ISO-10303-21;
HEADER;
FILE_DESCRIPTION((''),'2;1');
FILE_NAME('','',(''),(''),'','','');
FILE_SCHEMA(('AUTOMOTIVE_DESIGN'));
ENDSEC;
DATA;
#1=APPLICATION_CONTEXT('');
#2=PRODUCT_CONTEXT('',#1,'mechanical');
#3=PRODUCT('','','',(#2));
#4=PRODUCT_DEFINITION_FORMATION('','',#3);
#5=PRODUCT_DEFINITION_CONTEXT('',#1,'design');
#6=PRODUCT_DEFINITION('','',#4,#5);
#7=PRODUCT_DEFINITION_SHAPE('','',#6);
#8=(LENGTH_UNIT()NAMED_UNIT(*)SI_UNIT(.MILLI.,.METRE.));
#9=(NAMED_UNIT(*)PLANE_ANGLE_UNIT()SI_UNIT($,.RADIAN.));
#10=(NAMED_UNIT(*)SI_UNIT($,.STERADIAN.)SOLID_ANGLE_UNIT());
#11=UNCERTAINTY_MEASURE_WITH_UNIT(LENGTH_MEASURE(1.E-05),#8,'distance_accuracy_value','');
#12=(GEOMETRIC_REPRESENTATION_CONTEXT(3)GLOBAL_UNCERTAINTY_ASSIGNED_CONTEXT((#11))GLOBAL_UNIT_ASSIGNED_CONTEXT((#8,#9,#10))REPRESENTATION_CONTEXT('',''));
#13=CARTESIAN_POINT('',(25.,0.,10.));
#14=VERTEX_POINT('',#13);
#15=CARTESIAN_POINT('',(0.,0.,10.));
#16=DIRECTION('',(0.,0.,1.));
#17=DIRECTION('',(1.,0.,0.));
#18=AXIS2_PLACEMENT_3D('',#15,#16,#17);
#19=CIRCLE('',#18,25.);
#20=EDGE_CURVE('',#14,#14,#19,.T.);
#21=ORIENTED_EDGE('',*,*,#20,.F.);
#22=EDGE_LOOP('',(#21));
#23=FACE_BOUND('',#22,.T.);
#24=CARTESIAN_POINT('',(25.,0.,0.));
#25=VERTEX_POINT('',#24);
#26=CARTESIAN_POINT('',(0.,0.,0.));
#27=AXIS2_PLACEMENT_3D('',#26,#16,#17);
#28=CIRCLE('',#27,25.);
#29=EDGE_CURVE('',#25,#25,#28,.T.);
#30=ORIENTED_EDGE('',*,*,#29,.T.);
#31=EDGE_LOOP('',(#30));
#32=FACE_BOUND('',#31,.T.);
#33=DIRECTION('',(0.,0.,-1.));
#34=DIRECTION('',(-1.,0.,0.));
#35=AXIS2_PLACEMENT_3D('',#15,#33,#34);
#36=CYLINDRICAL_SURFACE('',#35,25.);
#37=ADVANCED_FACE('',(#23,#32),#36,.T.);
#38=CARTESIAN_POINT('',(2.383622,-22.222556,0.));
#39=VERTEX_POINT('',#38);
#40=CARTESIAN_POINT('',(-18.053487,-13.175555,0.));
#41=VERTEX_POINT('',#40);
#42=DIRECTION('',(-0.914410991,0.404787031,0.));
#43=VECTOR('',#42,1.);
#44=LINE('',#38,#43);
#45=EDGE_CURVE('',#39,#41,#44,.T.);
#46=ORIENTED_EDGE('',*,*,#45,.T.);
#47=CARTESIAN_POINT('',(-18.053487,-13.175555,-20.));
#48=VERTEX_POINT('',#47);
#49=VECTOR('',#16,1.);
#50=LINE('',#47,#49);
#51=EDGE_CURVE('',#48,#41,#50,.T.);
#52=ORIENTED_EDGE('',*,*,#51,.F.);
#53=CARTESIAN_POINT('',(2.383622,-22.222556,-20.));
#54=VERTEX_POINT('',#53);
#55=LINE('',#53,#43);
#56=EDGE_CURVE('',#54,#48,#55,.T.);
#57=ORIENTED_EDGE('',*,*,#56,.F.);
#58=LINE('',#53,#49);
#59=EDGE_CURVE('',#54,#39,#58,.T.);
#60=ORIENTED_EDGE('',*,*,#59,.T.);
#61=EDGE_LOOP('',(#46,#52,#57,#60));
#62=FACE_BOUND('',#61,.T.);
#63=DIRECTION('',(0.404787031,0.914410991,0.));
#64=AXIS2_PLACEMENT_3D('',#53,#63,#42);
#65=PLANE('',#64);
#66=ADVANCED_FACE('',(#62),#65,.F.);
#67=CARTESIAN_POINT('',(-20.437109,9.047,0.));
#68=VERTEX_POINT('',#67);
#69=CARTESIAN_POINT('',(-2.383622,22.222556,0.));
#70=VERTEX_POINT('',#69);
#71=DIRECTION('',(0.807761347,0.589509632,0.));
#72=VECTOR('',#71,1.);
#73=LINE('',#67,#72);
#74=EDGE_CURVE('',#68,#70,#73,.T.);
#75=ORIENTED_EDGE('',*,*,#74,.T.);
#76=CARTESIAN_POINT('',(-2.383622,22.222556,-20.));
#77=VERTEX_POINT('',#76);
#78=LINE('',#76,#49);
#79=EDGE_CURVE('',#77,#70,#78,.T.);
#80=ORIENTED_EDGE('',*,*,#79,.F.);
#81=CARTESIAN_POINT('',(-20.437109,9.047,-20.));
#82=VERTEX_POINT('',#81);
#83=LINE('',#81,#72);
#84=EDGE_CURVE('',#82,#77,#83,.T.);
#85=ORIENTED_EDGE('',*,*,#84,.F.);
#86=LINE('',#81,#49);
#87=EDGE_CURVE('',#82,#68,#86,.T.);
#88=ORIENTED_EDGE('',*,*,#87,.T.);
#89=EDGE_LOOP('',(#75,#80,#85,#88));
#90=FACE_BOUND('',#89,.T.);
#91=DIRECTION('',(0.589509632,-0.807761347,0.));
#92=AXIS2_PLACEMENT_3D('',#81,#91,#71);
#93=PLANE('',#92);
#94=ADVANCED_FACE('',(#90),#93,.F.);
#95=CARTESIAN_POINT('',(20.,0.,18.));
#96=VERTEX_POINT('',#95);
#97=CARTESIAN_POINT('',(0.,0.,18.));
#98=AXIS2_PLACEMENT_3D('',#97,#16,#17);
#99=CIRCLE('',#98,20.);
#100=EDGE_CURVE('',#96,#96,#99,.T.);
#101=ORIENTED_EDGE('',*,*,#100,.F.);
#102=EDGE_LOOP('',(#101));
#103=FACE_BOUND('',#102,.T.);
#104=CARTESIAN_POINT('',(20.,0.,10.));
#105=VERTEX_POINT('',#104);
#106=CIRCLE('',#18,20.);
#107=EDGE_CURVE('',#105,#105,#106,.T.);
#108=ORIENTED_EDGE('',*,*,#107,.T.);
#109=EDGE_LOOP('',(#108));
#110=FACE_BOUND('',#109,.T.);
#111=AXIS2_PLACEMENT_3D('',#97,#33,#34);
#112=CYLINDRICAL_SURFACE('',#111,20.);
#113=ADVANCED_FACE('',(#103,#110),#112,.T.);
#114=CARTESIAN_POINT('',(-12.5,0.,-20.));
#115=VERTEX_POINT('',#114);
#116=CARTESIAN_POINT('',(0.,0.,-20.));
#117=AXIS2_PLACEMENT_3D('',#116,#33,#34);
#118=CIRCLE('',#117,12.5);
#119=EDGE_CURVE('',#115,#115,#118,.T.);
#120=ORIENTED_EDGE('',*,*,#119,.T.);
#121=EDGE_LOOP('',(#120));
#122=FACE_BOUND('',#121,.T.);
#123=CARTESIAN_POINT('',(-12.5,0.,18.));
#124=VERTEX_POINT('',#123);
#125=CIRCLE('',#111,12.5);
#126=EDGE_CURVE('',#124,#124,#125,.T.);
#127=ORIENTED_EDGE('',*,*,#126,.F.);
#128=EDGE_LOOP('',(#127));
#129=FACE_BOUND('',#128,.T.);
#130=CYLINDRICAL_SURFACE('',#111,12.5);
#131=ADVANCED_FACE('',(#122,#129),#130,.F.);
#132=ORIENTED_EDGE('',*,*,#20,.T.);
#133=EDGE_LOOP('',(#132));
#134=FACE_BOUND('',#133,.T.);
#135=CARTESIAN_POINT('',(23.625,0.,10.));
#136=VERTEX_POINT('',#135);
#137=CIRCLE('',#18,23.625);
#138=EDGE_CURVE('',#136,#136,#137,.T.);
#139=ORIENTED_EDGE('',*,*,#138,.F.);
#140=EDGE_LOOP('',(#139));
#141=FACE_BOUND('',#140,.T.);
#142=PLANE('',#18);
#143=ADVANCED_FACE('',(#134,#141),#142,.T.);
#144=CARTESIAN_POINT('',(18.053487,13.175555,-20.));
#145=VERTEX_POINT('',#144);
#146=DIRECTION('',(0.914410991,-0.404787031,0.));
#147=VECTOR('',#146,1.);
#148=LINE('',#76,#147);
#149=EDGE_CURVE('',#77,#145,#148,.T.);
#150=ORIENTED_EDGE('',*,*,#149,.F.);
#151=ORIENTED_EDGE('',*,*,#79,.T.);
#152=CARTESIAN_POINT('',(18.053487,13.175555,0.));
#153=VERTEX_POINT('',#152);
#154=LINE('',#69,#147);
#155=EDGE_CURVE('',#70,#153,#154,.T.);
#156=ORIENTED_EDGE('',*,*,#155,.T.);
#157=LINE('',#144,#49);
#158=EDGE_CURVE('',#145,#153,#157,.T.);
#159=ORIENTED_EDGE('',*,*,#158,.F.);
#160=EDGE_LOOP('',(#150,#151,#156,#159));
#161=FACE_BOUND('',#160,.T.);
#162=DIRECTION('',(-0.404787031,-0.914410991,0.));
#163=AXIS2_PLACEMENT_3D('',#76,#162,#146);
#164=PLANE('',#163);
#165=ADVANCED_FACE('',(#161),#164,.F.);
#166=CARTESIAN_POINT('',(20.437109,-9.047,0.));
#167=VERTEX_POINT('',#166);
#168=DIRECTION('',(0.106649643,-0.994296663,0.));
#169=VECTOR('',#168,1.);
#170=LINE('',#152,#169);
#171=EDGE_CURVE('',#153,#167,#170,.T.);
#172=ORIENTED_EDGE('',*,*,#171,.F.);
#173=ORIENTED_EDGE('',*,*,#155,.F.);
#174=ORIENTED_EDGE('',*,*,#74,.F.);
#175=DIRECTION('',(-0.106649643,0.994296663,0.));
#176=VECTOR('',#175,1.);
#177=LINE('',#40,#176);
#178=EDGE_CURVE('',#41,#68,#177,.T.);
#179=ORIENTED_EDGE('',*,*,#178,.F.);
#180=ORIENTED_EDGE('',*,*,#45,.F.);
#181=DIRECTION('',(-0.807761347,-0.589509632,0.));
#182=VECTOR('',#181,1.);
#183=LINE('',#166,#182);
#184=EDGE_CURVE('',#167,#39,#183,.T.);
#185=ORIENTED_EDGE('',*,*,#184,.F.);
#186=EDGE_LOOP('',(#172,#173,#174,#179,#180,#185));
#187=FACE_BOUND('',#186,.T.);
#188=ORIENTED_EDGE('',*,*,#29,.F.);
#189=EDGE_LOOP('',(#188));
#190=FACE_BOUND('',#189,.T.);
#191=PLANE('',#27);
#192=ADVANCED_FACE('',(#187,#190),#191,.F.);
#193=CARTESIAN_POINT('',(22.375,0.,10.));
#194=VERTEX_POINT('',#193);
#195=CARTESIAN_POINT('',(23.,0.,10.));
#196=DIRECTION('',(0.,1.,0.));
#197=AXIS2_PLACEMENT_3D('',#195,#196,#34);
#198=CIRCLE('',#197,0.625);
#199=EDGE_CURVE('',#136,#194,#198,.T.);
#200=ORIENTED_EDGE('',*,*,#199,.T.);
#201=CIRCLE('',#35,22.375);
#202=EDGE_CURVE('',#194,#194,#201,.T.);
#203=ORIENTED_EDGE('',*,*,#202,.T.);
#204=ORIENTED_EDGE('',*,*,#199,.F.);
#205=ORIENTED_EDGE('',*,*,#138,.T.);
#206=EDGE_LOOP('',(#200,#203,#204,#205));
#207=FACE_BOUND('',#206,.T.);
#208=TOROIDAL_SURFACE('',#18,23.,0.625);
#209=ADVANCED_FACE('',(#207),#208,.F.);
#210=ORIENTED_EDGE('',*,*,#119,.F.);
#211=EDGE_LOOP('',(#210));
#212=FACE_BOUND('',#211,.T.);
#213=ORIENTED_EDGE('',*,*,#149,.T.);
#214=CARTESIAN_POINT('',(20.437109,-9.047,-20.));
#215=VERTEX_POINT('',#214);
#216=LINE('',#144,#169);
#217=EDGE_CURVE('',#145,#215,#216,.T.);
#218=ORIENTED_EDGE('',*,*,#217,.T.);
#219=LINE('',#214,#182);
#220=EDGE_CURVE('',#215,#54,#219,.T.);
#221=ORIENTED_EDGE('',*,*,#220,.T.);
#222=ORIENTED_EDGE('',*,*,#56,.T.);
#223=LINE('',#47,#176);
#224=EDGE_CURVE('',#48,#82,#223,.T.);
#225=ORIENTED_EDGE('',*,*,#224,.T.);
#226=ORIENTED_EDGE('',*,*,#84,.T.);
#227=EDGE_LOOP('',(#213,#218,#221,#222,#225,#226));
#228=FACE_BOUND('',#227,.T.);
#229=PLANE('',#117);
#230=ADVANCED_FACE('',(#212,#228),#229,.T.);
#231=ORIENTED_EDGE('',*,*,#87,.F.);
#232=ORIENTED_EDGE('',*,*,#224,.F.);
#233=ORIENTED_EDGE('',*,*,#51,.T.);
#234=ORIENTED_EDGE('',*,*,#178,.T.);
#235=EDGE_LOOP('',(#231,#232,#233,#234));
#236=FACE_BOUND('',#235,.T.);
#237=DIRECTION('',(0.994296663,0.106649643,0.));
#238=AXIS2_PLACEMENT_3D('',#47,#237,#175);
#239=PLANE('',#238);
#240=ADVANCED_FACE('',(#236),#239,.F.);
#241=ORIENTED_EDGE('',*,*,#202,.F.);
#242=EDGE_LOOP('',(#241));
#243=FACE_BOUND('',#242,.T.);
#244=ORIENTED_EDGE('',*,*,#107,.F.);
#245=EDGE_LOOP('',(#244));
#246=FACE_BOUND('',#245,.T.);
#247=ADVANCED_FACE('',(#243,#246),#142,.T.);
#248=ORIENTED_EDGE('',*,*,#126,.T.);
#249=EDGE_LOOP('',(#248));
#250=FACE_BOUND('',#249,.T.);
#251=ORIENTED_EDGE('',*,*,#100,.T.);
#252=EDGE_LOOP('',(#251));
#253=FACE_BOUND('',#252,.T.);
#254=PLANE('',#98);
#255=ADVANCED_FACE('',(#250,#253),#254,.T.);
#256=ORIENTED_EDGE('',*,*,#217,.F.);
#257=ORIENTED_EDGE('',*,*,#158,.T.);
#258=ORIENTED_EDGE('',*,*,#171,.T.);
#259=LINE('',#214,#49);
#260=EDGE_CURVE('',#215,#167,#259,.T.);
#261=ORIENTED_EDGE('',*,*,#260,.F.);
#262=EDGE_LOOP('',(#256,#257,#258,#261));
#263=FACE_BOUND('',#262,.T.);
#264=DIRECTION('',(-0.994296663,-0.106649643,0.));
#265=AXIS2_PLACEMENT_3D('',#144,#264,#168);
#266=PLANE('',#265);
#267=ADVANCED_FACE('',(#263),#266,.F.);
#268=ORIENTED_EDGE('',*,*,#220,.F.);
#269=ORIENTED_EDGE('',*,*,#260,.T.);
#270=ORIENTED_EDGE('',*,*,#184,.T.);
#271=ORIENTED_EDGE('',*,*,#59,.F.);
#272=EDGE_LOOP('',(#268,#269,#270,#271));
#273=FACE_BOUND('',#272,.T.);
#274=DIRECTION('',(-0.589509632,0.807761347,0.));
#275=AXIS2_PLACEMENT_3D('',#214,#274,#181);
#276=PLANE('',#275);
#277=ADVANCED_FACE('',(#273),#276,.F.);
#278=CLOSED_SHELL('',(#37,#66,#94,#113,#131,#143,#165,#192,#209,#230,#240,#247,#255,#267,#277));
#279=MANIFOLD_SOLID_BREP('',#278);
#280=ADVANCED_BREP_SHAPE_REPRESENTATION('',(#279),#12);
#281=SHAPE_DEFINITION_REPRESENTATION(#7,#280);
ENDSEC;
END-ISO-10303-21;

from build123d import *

# Parameters (mm, degrees)
SKETCH2_R            = 25
BOSS_EXTRUDE1_DEPTH  = 10
SKETCH3_R            = 20
BOSS_EXTRUDE2_DEPTH  = 8
BOSS_EXTRUDE3_DEPTH  = 20
SKETCH5_R            = 12.5
CUT_EXTRUDE1_DEPTH   = 52.903757089
CUT_SWEEP1_PROFILE_R = 0.625


with BuildPart() as part:
    # Sketch2 → Boss-Extrude1 (new body)
    with BuildSketch(Plane.XY):
        Circle(SKETCH2_R)
    extrude(amount=BOSS_EXTRUDE1_DEPTH)

    # Sketch3 → Boss-Extrude2 (add)
    with BuildSketch(Plane.XY.offset(10)):
        Circle(SKETCH3_R)
    extrude(amount=BOSS_EXTRUDE2_DEPTH)

    # Sketch4 → Boss-Extrude3 (add)
    with BuildSketch(Plane(origin=(0, 0, 0), x_dir=(-1, 0, 0), z_dir=(0, 0, -1))):
        Polygon((-20.437108974, -9.047000469), (-2.383622252, -22.222555786), (18.053486721, -13.175555316), (20.437108974, 9.047000469), (2.383622252, 22.222555786), (-18.053486721, 13.175555316), align=None)
    extrude(amount=BOSS_EXTRUDE3_DEPTH)

    # Sketch5 → Cut-Extrude1 (cut, through all)
    with BuildSketch(Plane(origin=(0, 0, -20), x_dir=(-1, 0, 0), z_dir=(0, 0, -1))):
        Circle(SKETCH5_R)
    extrude(amount=-CUT_EXTRUDE1_DEPTH, mode=Mode.SUBTRACT)

    # Cut-Sweep1: sweep along a path in Sketch6
    with BuildLine(Plane.XY.offset(10)) as cut_sweep1_path:
        CenterArc((0, 0), 23, 0, 360)
    # Cut-Sweep1 profile (on start of the path) → Cut-Sweep1 (sweep, cut)
    with BuildSketch(Plane(origin=(23, 0, 10), x_dir=(0, 0, 1), z_dir=(0, 1, 0))):
        Circle(CUT_SWEEP1_PROFILE_R)
    sweep(path=cut_sweep1_path.line, mode=Mode.SUBTRACT)


solid = part.part
